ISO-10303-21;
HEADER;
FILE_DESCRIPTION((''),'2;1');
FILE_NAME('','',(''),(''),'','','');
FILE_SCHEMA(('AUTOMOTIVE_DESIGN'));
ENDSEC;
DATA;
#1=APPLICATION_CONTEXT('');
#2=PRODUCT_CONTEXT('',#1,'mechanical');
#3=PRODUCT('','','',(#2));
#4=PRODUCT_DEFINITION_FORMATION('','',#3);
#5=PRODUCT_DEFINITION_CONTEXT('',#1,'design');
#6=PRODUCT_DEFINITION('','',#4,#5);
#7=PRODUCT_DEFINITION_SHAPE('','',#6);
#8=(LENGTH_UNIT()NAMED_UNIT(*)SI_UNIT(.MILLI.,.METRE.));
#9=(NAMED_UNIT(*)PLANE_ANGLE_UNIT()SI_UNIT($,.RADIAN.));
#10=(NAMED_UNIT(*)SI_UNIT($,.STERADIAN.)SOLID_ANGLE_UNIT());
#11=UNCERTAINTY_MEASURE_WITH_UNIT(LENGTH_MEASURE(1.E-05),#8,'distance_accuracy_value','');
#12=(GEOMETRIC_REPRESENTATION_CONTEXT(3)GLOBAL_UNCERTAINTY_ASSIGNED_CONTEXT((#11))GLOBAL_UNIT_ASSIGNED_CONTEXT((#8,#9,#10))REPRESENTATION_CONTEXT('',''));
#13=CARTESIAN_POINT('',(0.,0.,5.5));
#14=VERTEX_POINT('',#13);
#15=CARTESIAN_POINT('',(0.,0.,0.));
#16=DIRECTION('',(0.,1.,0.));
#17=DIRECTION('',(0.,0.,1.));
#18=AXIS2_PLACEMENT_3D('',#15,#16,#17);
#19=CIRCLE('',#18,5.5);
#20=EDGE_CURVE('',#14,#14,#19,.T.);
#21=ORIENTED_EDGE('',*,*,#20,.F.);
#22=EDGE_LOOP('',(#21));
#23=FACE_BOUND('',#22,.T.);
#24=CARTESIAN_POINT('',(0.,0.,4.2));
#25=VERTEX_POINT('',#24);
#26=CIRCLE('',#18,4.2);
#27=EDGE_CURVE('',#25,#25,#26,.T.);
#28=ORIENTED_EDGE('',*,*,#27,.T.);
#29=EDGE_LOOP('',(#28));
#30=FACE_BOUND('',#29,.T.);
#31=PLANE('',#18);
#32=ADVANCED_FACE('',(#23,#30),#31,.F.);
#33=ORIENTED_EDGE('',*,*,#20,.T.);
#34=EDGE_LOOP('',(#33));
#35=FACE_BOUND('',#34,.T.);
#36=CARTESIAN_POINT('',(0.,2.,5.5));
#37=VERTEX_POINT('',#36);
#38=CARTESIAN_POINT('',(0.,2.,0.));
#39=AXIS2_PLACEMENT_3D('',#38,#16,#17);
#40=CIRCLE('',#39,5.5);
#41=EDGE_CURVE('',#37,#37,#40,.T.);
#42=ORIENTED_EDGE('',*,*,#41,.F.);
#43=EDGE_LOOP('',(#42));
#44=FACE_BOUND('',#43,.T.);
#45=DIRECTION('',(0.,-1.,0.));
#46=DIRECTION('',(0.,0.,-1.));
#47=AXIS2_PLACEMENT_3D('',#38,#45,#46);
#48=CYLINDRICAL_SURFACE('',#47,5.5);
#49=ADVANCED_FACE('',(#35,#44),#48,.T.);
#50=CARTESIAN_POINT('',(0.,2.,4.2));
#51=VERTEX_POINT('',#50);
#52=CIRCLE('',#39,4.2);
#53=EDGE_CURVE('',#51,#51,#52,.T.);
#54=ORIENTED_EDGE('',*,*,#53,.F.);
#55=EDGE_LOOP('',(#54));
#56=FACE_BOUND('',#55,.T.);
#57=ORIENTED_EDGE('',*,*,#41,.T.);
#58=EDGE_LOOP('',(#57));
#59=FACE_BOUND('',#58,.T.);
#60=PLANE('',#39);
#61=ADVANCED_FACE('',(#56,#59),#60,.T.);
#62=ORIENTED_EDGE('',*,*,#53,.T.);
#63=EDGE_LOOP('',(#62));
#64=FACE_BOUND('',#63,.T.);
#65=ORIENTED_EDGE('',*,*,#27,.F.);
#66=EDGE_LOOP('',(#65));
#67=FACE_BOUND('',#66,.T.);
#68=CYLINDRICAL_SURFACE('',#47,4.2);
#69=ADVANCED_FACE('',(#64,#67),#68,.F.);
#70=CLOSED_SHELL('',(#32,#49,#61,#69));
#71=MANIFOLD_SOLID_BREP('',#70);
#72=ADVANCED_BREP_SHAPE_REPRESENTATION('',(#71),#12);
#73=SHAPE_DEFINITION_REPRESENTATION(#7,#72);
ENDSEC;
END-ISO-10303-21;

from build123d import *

# Parameters (mm, degrees)
SKETCH1_R           = 5.5
SKETCH1_R_2         = 4.2
BOSS_EXTRUDE1_DEPTH = 2


with BuildPart() as part:
    # Sketch1 → Boss-Extrude1 (new body)
    with BuildSketch(Plane(origin=(0, 0, 0), x_dir=(1, 0, 0), z_dir=(0, 1, 0))):
        with Locations(Location((0, 0, 0), (0, 0, 270))):  # turned: the seam where the file's is
            Circle(SKETCH1_R)
        with Locations(Location((0, 0, 0), (0, 0, 270))):  # turned: the seam where the file's is
            Circle(SKETCH1_R_2, mode=Mode.SUBTRACT)
    extrude(amount=BOSS_EXTRUDE1_DEPTH)


solid = part.part
